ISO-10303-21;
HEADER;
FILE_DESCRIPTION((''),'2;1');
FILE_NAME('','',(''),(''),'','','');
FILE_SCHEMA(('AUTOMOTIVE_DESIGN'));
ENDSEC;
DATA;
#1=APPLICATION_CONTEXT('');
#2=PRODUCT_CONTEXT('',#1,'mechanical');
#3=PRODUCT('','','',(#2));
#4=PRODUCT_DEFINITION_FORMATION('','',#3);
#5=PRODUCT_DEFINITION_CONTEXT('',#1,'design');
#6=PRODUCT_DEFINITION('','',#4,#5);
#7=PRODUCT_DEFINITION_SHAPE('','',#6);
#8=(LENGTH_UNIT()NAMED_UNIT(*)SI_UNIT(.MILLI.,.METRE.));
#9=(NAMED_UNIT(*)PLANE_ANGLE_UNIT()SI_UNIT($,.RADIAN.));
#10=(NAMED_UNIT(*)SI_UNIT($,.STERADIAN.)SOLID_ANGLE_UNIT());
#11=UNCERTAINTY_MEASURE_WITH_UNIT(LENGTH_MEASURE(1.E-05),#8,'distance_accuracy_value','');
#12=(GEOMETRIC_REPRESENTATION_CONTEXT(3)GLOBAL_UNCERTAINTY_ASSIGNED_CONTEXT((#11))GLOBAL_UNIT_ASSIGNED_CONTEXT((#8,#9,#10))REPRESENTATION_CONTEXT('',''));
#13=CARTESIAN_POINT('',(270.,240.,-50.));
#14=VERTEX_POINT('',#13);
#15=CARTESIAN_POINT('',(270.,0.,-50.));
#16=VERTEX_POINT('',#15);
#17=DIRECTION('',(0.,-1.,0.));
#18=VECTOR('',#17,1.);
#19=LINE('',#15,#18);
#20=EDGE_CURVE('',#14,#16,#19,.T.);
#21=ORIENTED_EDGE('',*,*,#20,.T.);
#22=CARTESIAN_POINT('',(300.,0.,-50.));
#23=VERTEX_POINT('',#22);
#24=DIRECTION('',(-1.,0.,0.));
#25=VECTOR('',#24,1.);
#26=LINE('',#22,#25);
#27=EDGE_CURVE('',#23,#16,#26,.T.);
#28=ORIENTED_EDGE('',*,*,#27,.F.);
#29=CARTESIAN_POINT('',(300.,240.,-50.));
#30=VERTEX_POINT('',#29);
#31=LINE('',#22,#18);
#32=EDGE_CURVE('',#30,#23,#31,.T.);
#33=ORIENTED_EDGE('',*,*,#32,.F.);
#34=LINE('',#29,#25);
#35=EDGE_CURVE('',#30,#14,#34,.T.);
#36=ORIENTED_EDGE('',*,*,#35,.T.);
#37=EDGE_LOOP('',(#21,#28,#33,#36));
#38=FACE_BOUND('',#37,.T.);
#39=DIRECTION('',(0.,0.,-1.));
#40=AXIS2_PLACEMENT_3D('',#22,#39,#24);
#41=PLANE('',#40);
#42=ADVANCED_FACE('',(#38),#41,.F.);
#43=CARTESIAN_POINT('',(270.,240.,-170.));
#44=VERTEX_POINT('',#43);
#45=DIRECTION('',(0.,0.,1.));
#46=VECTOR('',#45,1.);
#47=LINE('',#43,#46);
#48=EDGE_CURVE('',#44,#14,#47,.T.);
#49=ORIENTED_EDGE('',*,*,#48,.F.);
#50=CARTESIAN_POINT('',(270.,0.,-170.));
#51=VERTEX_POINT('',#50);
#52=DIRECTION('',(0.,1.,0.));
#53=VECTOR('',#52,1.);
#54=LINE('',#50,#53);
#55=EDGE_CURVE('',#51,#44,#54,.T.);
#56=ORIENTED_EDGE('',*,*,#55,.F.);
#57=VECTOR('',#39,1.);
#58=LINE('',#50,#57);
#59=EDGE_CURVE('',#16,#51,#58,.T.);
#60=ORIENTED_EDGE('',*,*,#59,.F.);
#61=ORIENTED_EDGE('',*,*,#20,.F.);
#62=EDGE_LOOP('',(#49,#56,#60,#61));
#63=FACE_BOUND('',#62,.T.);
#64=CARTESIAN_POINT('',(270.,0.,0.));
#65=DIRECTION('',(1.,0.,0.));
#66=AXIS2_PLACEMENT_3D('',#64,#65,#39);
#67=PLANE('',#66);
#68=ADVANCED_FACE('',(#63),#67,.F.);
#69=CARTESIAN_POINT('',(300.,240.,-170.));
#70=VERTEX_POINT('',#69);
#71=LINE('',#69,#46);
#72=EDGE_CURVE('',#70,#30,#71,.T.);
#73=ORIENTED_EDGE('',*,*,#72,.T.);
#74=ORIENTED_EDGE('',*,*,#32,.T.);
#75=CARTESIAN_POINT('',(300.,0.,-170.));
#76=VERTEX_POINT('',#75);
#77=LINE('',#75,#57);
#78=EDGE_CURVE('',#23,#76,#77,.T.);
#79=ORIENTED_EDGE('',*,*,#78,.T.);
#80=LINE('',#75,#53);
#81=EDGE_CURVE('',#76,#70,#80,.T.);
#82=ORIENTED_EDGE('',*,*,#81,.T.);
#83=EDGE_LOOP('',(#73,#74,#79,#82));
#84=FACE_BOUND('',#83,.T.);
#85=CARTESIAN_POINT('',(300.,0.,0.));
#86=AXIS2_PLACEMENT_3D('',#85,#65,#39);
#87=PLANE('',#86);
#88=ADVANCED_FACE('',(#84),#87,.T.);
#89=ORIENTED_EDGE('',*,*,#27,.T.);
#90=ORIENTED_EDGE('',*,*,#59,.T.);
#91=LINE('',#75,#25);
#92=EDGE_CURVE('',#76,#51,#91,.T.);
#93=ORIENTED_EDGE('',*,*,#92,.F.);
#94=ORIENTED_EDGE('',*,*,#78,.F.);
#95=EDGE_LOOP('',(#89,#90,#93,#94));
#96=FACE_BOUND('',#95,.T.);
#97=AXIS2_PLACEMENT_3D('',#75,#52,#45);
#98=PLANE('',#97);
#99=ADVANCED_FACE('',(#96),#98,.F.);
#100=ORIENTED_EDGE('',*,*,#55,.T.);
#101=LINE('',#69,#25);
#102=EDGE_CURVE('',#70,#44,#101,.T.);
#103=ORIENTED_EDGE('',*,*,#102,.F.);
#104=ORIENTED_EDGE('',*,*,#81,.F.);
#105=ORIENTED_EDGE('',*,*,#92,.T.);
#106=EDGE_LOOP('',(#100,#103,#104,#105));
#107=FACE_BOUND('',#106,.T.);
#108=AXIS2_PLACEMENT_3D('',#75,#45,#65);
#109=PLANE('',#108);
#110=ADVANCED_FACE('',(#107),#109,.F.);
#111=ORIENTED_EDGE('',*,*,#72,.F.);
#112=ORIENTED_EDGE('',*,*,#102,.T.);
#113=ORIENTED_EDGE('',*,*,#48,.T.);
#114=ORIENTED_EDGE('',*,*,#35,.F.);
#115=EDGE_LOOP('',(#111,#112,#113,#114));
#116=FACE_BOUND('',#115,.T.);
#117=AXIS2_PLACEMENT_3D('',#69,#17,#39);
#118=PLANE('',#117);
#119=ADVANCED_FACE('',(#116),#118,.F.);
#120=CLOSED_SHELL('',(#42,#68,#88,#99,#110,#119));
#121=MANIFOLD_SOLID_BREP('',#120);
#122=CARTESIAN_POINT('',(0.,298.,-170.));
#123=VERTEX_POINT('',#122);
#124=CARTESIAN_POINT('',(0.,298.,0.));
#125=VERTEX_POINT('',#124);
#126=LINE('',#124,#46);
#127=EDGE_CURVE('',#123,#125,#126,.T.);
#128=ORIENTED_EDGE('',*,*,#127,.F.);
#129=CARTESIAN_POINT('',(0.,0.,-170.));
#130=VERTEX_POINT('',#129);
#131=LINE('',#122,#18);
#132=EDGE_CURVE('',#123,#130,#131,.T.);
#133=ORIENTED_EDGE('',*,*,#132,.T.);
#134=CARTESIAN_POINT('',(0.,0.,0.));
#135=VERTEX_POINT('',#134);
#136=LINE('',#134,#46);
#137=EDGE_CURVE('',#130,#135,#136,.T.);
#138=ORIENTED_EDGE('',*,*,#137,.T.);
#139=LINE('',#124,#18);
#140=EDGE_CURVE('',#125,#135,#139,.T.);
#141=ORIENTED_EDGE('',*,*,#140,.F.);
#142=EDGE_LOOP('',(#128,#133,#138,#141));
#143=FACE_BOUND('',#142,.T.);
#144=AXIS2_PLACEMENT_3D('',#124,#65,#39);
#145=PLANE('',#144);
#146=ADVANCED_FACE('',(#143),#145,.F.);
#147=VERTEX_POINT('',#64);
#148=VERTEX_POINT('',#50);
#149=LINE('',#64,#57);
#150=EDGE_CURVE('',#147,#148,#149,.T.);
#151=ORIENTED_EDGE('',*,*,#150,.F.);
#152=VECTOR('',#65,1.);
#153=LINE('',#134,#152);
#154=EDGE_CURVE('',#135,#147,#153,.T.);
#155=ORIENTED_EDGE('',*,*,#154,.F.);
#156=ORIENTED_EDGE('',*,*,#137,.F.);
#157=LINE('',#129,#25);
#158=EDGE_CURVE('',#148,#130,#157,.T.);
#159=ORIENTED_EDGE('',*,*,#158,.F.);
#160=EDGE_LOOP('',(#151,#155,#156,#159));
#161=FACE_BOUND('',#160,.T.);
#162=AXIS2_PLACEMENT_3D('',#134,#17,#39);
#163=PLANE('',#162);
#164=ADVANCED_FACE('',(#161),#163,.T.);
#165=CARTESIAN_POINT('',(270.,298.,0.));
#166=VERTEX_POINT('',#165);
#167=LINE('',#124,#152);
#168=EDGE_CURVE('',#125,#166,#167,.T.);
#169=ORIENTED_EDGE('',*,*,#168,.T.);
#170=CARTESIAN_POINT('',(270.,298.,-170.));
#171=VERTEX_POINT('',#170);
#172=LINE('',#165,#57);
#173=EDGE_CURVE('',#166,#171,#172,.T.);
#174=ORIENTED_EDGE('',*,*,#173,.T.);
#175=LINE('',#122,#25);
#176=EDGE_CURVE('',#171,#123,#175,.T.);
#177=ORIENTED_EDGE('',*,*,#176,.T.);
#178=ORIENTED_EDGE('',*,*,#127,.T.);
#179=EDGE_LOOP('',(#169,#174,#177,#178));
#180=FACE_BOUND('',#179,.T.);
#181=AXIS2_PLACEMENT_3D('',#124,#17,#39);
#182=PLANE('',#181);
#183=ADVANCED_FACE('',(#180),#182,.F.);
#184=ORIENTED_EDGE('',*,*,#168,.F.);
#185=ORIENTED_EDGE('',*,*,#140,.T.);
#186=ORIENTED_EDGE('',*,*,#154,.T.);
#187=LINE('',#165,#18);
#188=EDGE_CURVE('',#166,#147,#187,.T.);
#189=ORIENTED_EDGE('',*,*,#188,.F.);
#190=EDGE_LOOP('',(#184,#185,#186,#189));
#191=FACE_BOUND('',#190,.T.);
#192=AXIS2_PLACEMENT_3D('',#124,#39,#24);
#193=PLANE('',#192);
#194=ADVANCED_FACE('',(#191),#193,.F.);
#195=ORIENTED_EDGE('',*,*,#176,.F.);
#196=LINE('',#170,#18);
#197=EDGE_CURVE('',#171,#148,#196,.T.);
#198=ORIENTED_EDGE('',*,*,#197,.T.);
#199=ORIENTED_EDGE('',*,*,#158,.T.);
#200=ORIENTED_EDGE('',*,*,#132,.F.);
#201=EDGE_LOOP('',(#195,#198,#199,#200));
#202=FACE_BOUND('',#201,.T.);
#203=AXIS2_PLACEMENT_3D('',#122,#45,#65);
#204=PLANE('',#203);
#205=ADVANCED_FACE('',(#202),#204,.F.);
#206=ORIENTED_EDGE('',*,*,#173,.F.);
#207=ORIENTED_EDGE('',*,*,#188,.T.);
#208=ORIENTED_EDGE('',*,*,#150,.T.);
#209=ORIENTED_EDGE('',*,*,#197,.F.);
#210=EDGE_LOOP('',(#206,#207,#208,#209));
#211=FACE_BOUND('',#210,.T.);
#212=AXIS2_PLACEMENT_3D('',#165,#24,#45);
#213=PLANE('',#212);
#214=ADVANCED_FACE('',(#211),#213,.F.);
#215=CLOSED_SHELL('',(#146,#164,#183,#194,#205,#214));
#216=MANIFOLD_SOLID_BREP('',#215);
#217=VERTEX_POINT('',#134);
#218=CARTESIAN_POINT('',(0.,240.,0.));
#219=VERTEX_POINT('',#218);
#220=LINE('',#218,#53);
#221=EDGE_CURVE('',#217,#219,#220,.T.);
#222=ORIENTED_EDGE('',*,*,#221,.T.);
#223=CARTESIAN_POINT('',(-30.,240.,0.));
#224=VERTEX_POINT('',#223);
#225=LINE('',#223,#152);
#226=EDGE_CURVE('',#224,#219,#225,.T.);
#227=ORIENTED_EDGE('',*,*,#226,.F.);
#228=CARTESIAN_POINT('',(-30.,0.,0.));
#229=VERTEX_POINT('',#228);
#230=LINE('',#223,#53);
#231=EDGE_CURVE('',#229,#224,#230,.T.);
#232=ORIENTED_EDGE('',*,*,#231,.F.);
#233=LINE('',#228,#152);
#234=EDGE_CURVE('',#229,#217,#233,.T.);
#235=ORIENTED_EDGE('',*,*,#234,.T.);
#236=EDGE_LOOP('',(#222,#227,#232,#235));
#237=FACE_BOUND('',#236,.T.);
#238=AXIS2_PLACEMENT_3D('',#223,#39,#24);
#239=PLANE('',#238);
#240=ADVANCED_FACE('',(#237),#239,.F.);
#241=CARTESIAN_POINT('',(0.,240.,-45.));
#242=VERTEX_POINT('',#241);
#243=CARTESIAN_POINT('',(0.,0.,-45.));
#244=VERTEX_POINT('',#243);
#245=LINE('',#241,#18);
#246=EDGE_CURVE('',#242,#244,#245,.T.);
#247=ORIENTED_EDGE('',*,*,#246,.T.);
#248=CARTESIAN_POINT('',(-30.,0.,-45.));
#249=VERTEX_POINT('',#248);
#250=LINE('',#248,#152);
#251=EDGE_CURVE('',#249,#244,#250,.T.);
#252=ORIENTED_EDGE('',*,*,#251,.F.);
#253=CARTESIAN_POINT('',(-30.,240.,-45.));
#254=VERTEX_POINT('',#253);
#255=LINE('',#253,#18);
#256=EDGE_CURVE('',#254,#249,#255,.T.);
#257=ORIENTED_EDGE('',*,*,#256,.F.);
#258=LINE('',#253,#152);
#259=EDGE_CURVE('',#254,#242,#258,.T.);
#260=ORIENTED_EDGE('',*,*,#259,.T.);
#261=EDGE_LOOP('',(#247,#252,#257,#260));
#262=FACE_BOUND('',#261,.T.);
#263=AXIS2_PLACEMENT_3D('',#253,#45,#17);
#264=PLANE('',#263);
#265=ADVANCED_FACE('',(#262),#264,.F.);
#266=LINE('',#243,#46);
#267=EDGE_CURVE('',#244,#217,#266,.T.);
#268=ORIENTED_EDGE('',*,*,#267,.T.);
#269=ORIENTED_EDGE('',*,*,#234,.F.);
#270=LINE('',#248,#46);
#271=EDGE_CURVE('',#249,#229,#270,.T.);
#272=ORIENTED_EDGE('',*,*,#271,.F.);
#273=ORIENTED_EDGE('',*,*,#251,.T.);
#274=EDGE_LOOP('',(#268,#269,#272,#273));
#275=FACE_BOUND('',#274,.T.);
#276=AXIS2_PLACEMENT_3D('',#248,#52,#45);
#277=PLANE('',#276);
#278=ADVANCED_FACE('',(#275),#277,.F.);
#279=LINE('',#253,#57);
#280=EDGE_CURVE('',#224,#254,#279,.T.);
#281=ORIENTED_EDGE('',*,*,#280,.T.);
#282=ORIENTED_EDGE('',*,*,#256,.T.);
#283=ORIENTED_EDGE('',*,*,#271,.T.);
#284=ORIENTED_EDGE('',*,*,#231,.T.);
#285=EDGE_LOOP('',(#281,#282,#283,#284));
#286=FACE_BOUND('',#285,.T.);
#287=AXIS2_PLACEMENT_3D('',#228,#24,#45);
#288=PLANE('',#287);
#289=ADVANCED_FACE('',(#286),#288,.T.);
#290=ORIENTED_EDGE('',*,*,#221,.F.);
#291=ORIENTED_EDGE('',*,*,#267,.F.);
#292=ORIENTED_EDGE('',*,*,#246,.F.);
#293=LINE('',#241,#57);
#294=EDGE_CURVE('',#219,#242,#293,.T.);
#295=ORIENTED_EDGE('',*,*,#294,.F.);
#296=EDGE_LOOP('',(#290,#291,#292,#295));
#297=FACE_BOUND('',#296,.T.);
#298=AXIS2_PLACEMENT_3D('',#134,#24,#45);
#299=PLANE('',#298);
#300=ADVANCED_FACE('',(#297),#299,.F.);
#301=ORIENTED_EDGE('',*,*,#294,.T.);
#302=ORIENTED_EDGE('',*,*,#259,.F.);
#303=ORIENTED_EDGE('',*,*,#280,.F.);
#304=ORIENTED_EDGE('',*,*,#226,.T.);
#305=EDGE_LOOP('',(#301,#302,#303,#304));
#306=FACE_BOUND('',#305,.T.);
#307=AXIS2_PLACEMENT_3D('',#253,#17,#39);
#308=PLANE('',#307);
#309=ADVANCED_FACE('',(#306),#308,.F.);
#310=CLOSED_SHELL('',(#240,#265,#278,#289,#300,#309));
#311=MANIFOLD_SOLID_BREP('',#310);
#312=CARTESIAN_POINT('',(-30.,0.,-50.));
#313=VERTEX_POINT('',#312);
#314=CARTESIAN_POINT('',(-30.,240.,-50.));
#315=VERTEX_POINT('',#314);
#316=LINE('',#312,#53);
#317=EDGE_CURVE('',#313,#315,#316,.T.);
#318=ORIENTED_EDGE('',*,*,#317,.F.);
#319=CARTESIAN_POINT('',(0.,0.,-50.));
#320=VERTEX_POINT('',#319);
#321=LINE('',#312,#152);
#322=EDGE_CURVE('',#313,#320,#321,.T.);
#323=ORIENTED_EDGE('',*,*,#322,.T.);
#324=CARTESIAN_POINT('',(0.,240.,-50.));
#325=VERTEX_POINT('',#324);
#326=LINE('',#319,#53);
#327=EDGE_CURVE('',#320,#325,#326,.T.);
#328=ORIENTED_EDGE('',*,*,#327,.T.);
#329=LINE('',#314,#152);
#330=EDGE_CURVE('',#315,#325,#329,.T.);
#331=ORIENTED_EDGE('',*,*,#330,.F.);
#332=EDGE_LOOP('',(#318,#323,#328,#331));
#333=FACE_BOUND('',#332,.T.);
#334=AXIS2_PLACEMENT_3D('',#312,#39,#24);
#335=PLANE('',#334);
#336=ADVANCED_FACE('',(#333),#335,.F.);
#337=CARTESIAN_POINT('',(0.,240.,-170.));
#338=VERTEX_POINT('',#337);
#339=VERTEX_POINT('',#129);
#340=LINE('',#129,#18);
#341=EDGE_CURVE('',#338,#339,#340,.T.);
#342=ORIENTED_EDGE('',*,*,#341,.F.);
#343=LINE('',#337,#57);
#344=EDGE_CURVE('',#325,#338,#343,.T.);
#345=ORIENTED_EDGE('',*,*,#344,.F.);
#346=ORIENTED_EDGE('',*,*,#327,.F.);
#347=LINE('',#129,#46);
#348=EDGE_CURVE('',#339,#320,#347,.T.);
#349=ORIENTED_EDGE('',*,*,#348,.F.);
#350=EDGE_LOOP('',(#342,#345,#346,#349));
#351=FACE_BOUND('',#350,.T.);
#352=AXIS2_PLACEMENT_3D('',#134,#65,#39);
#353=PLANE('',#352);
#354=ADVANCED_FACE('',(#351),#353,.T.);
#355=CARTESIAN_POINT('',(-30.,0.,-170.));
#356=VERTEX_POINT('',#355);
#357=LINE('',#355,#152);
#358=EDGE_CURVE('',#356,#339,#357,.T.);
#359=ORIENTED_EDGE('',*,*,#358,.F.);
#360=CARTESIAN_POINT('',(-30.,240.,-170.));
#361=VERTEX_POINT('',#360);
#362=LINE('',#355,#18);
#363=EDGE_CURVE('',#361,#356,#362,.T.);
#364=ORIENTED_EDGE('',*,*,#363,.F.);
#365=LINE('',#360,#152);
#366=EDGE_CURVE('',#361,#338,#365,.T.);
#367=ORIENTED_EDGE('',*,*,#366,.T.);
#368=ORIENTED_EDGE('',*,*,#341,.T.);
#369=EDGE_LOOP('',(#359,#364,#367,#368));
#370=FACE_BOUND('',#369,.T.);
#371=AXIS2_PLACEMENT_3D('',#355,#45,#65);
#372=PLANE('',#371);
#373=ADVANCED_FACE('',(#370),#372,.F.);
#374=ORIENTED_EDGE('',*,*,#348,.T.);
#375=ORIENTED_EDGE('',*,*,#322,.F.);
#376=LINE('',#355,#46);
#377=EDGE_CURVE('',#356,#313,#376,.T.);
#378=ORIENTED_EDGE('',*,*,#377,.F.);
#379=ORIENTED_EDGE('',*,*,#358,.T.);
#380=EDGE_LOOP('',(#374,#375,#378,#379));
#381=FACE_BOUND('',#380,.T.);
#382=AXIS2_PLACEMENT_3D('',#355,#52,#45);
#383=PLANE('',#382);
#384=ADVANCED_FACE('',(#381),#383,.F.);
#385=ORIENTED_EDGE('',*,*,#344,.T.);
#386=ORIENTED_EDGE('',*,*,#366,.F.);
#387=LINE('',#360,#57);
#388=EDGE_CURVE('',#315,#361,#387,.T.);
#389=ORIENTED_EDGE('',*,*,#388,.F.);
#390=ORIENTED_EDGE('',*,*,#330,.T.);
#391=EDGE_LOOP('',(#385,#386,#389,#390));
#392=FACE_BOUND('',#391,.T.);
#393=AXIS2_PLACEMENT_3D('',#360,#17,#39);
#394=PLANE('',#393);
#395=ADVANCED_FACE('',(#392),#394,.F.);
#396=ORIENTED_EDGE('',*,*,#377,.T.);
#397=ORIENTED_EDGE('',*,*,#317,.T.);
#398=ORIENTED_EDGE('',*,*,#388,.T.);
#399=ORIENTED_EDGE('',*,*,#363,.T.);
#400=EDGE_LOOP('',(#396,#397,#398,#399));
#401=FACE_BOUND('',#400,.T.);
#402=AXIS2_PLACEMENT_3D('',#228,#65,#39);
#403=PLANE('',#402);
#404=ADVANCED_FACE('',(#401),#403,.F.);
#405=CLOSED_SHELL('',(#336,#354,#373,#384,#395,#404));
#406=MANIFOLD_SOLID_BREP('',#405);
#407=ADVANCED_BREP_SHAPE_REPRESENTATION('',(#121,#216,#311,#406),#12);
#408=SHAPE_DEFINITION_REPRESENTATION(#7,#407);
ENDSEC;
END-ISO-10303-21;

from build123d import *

# Parameters (mm, degrees)
SKETCH1_W             = 270
SKETCH1_H             = 170
BOSS_EXTRUDE1_DEPTH   = 298
SKETCH2_W             = 120
SKETCH2_H             = 240
BOSS_EXTRUDE2_DEPTH   = 30
SKETCH2_W_2           = 45
BOSS_EXTRUDE2_2_DEPTH = 30
SKETCH3_W             = 120
SKETCH3_H             = 240
BOSS_EXTRUDE3_DEPTH   = 30


with BuildPart() as part:
    # Sketch1 → Boss-Extrude1 (new body)
    with BuildSketch(Plane(origin=(0, 0, 0), x_dir=(1, 0, 0), z_dir=(0, 1, 0))):
        with Locations((135, 85)):
            Rectangle(SKETCH1_W, SKETCH1_H)
    extrude(amount=BOSS_EXTRUDE1_DEPTH)


with BuildPart() as body_2:
    # Sketch2 → Boss-Extrude2 (new body)
    with BuildSketch(Plane.ZY):
        with Locations((-110, 120)):
            Rectangle(SKETCH2_W, SKETCH2_H)
    extrude(amount=BOSS_EXTRUDE2_DEPTH)


with BuildPart() as body_3:
    # Sketch2 → Boss-Extrude2 2 (new body)
    with BuildSketch(Plane.ZY):
        with Locations((-22.5, 120)):
            Rectangle(SKETCH2_W_2, SKETCH2_H)
    extrude(amount=BOSS_EXTRUDE2_2_DEPTH)


with BuildPart() as body_4:
    # Sketch3 → Boss-Extrude3 (new body)
    with BuildSketch(Plane(origin=(270, 0, 0), x_dir=(0, 0, -1), z_dir=(1, 0, 0))):
        with Locations((110, 120)):
            Rectangle(SKETCH3_W, SKETCH3_H)
    extrude(amount=BOSS_EXTRUDE3_DEPTH)


solid = Compound([part.part, body_2.part, body_3.part, body_4.part])
